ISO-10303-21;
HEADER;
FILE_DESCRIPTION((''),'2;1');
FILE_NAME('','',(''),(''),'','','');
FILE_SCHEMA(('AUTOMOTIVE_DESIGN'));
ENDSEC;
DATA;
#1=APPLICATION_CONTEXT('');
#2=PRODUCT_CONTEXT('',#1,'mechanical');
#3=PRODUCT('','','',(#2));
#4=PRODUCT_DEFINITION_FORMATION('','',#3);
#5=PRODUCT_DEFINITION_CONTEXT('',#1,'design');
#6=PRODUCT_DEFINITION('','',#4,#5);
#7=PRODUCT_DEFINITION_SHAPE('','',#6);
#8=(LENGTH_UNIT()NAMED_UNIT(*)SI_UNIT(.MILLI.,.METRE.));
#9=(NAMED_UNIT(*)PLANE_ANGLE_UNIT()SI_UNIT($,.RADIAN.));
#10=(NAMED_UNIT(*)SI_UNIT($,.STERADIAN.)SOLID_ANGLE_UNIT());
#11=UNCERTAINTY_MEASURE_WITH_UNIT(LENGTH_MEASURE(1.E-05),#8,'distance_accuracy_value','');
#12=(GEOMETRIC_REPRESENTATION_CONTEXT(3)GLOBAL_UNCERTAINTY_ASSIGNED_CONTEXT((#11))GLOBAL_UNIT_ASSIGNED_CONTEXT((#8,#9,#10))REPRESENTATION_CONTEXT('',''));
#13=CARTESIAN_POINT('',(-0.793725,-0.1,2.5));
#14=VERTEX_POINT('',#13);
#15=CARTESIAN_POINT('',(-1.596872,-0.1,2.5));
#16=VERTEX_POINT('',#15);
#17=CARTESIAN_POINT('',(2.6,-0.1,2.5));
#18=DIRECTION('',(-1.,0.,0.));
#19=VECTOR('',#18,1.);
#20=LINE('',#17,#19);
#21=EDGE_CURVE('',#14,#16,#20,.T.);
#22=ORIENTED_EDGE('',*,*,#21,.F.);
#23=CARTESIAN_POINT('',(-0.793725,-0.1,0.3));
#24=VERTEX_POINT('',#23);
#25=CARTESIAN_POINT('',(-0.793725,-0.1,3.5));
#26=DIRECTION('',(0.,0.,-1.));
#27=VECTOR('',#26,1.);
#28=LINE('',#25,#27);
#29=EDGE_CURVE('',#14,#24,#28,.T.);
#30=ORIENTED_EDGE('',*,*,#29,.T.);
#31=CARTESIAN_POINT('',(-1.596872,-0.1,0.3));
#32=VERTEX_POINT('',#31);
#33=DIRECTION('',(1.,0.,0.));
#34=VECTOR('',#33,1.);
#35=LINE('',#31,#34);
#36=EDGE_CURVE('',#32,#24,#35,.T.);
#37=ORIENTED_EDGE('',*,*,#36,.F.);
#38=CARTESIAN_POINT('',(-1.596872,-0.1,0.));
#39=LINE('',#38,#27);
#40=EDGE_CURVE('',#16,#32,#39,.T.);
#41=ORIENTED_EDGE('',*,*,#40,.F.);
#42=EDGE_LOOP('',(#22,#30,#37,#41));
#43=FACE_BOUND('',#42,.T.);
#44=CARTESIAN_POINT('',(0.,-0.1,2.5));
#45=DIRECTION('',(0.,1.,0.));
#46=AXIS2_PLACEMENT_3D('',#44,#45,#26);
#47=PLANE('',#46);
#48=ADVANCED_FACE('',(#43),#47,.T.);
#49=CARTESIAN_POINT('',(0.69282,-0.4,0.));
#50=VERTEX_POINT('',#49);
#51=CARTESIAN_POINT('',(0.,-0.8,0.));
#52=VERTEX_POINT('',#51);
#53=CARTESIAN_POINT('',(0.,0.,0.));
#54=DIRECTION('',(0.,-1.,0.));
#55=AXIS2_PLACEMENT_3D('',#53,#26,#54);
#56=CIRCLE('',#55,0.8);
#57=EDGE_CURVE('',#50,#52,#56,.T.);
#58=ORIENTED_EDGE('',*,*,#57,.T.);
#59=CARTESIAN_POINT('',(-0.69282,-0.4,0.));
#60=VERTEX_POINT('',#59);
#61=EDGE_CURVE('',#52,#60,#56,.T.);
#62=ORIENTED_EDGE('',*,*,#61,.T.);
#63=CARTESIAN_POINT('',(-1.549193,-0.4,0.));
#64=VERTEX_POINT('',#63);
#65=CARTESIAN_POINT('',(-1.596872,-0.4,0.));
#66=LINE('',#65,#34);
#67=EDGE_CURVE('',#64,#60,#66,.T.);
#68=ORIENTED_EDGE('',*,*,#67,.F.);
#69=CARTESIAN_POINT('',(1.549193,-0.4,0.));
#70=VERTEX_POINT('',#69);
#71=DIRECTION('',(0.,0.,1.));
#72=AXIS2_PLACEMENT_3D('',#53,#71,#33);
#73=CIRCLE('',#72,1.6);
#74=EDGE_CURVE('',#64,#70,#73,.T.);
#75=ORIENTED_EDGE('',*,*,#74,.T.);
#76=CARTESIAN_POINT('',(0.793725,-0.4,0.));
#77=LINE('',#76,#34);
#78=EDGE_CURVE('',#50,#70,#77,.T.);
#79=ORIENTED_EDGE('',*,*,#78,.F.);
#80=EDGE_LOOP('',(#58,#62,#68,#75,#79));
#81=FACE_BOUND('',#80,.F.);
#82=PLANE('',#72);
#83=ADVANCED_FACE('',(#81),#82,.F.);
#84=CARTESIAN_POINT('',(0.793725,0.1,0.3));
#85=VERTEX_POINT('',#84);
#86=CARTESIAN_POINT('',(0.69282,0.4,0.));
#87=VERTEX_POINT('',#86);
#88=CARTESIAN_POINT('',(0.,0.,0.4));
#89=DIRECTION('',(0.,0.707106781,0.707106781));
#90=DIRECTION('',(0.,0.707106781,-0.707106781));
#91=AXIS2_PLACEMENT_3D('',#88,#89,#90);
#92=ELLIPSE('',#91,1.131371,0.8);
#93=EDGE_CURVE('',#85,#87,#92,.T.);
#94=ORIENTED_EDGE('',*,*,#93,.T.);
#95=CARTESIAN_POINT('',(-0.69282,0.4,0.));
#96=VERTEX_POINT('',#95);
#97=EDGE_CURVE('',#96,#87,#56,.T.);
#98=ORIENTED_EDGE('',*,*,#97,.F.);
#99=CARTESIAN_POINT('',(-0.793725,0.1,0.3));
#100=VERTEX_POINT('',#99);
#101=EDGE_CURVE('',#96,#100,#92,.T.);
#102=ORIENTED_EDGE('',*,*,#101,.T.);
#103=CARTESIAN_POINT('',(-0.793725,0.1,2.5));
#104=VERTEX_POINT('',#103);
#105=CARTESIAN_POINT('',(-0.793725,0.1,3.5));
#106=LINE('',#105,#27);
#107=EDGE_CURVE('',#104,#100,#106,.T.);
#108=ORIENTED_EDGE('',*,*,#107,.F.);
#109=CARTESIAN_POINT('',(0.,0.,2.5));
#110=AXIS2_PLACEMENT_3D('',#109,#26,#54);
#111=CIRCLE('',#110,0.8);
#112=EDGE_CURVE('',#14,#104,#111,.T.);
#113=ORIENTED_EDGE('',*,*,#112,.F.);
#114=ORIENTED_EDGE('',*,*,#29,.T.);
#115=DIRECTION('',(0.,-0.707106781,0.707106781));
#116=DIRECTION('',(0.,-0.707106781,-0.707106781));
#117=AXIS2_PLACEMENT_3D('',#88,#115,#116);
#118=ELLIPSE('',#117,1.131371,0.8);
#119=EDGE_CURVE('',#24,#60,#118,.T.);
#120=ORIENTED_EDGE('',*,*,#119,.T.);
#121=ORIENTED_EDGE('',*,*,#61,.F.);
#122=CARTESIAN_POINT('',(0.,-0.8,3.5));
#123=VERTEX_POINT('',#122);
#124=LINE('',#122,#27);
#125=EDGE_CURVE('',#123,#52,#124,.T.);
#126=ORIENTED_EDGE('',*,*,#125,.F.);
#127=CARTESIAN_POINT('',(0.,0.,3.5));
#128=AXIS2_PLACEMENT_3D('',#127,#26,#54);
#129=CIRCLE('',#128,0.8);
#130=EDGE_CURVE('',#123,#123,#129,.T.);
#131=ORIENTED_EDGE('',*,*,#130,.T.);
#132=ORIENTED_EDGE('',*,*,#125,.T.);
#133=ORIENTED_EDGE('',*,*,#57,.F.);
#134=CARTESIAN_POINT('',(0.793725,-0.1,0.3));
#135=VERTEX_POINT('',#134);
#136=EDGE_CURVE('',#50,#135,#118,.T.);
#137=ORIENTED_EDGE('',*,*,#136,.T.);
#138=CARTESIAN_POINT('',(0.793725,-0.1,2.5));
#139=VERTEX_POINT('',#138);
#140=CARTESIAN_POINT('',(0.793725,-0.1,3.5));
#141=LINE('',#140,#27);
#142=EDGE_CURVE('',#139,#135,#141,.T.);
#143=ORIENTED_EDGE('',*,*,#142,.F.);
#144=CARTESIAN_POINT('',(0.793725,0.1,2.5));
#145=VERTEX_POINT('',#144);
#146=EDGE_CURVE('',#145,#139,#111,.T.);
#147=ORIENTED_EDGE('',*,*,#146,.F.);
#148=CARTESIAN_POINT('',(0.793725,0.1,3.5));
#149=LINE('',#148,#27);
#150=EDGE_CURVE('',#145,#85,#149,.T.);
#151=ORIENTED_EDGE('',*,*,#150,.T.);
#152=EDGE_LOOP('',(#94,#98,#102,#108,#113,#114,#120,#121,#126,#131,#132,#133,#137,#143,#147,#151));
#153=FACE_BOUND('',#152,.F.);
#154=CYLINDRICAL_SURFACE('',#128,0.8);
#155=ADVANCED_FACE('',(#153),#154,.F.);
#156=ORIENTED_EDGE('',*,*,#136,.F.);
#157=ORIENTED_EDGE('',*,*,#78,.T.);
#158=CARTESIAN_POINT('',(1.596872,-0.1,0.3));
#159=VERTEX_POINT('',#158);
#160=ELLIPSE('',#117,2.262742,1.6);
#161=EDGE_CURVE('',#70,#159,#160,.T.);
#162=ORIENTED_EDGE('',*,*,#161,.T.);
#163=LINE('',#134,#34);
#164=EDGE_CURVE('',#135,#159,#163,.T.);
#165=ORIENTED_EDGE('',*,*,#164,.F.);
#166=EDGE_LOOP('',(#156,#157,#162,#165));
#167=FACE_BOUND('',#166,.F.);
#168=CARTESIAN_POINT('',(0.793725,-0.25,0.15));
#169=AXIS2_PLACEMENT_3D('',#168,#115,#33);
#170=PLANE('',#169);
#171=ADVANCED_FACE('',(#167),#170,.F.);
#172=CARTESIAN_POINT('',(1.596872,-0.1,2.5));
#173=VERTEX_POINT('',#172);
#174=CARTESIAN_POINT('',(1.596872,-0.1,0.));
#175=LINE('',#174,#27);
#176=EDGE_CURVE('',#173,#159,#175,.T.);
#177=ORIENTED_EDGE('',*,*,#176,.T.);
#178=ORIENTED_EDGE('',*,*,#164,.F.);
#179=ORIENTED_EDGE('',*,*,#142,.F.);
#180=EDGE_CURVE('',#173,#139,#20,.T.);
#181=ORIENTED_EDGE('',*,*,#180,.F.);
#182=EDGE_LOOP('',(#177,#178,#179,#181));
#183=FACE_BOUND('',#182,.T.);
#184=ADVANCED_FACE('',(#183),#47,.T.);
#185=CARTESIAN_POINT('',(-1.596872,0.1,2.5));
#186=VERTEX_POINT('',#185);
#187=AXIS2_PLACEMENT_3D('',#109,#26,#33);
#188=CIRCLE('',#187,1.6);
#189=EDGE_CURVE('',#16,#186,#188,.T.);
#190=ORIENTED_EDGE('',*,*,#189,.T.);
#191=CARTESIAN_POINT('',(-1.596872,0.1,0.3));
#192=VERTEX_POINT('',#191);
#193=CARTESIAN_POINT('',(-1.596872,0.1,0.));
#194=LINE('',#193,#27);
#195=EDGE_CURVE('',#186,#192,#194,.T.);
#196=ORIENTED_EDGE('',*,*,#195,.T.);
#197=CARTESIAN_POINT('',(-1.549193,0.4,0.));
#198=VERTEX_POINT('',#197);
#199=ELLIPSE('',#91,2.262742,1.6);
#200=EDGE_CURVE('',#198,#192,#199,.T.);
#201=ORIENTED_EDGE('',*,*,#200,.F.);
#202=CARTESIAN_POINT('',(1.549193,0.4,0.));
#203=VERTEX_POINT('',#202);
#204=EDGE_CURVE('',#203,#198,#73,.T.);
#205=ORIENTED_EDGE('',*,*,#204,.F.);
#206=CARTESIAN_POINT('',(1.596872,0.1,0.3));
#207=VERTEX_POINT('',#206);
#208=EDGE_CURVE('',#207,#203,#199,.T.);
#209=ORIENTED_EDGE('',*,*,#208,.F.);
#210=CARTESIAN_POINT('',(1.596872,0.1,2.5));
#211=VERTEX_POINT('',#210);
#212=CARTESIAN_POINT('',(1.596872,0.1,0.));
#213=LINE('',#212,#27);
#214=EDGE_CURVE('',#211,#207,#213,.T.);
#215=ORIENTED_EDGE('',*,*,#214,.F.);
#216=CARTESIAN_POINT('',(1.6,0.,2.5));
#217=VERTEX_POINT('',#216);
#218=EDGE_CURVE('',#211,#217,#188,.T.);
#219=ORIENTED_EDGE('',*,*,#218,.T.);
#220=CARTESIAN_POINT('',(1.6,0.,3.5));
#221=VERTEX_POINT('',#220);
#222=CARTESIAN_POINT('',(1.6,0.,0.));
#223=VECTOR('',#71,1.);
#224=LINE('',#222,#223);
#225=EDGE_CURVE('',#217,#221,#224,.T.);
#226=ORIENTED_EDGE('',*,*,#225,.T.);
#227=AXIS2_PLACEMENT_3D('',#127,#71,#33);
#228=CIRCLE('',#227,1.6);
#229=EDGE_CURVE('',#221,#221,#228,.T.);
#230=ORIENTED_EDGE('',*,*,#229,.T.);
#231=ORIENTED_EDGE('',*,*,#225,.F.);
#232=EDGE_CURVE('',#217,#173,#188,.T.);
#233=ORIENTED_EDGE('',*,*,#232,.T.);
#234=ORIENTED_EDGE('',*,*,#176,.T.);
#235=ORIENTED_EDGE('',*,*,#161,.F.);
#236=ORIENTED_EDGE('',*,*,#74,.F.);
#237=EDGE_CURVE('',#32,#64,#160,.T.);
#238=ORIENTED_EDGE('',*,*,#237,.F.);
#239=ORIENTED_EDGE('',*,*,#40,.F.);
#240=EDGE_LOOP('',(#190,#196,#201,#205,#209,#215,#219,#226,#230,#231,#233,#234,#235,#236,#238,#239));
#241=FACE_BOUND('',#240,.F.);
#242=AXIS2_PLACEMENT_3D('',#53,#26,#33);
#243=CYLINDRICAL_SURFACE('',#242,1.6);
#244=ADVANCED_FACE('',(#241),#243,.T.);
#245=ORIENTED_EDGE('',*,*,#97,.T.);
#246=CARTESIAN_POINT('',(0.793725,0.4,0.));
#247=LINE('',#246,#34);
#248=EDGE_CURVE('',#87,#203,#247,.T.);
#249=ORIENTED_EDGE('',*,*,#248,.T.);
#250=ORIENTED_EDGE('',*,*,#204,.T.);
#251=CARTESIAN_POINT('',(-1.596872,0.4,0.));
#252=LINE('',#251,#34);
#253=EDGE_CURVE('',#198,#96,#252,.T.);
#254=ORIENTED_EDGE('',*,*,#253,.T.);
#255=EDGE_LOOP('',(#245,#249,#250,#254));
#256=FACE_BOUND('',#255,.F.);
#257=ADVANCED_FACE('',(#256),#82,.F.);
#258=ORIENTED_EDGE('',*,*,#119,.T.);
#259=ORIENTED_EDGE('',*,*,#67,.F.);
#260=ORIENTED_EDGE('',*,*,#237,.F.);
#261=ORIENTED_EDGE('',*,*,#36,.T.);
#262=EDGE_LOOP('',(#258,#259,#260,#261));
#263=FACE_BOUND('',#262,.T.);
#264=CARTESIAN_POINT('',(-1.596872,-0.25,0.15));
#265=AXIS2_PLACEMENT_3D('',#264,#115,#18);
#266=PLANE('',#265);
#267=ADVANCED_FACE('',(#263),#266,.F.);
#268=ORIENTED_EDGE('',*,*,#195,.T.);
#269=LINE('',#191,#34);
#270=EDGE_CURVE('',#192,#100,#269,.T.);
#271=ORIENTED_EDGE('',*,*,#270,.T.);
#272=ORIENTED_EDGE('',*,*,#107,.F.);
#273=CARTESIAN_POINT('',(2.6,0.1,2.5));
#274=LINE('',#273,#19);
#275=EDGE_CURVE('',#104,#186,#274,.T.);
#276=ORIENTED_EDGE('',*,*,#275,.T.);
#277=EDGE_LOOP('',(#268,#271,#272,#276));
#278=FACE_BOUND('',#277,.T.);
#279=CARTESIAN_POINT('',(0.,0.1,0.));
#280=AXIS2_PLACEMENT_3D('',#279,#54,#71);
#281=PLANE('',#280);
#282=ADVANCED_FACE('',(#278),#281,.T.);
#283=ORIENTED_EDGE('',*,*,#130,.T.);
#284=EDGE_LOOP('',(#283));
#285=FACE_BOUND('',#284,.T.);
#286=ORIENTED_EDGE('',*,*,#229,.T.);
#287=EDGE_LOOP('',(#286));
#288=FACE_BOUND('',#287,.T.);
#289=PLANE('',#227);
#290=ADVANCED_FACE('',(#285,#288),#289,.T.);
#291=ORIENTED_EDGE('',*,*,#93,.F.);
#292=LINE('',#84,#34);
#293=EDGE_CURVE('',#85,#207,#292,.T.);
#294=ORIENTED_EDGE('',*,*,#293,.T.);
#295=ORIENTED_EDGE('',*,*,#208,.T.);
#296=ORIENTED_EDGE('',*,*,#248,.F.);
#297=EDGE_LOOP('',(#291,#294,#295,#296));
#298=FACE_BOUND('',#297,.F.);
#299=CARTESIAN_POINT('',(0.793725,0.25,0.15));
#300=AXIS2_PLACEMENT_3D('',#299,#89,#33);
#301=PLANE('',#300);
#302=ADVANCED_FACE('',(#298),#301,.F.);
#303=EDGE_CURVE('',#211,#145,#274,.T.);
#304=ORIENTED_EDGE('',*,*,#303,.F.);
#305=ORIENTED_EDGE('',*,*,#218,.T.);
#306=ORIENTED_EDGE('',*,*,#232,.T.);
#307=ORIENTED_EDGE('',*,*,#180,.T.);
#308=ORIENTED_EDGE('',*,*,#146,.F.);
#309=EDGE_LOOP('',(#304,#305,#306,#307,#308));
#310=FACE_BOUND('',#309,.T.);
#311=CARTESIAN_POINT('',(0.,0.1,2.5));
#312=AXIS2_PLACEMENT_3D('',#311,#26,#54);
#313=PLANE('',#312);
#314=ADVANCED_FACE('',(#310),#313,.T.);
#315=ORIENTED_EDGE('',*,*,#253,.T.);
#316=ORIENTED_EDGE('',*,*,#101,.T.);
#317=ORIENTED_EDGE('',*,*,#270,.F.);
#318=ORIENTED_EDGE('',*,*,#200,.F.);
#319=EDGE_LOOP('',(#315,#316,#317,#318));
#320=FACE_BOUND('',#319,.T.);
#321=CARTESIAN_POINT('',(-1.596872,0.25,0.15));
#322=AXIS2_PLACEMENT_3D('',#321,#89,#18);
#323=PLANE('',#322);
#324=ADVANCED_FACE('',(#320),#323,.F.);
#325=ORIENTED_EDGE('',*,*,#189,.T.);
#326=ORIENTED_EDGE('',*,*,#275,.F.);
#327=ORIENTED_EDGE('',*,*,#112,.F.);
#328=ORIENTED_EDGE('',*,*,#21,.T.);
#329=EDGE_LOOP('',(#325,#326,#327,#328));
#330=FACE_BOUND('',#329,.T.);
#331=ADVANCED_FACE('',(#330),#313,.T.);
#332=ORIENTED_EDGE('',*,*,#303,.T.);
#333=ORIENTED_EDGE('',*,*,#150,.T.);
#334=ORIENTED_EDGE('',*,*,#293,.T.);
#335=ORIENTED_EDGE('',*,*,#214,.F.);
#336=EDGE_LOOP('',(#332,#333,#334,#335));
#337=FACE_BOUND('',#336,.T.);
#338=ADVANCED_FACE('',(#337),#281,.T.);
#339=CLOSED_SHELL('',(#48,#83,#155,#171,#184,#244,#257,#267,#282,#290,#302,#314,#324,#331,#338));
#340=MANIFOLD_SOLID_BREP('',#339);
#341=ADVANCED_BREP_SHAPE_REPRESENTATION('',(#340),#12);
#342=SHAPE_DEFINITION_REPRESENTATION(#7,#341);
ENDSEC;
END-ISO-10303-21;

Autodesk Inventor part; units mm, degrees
ref_plane "YZ Plane" through (0, 0, 0) normal (1, 0, 0) x (0, 1, 0)
ref_plane "XZ Plane" through (0, 0, 0) normal (0, 1, 0) x (-1, 0, 0)
ref_plane "XY Plane" through (0, 0, 0) normal (0, 0, 1) x (1, 0, 0)
sketch "Sketch1" plane through (0, 0, 0) normal (0, 0, 1) x (1, 0, 0)
  circle A0 centre (0, 0) radius 1.6
  dimension "d0" = 3.2
extrude "Extrusion1" add sketch "Sketch1" along normal blind 3.5
hole "Hole1" at (0, 0, 3.5) direction (0, 0, -1) diameter 1.3 end through all counterbore diameter 1.6 counterbore depth 4
sketch "Sketch2" plane through (0, 0, 0) normal (1, 0, 0) x (0, 1, 0)
  line L0 (-0.1, 0) -> (0.1, 0)
  line L1 (0.1, 0) -> (0.1, 2.5)
  line L2 (0.1, 2.5) -> (-0.1, 2.5)
  line L3 (-0.1, 2.5) -> (-0.1, 0)
  point P0 (0, 0)
  point P1 (0, 0)
  dimension "d14" = 0.2
  dimension "d15" = 2.5
extrude "Extrusion2" cut sketch "Sketch2" along normal through all both and the other way through all
chamfer "Chamfer1" distance 0.3 angle 45 4 edges at (1.1953, 0.1, 0) (-1.1953, 0.1, 0) (-1.1953, -0.1, 0) (1.1953, -0.1, 0)
properties part number "402-02" material "PVC-U"
